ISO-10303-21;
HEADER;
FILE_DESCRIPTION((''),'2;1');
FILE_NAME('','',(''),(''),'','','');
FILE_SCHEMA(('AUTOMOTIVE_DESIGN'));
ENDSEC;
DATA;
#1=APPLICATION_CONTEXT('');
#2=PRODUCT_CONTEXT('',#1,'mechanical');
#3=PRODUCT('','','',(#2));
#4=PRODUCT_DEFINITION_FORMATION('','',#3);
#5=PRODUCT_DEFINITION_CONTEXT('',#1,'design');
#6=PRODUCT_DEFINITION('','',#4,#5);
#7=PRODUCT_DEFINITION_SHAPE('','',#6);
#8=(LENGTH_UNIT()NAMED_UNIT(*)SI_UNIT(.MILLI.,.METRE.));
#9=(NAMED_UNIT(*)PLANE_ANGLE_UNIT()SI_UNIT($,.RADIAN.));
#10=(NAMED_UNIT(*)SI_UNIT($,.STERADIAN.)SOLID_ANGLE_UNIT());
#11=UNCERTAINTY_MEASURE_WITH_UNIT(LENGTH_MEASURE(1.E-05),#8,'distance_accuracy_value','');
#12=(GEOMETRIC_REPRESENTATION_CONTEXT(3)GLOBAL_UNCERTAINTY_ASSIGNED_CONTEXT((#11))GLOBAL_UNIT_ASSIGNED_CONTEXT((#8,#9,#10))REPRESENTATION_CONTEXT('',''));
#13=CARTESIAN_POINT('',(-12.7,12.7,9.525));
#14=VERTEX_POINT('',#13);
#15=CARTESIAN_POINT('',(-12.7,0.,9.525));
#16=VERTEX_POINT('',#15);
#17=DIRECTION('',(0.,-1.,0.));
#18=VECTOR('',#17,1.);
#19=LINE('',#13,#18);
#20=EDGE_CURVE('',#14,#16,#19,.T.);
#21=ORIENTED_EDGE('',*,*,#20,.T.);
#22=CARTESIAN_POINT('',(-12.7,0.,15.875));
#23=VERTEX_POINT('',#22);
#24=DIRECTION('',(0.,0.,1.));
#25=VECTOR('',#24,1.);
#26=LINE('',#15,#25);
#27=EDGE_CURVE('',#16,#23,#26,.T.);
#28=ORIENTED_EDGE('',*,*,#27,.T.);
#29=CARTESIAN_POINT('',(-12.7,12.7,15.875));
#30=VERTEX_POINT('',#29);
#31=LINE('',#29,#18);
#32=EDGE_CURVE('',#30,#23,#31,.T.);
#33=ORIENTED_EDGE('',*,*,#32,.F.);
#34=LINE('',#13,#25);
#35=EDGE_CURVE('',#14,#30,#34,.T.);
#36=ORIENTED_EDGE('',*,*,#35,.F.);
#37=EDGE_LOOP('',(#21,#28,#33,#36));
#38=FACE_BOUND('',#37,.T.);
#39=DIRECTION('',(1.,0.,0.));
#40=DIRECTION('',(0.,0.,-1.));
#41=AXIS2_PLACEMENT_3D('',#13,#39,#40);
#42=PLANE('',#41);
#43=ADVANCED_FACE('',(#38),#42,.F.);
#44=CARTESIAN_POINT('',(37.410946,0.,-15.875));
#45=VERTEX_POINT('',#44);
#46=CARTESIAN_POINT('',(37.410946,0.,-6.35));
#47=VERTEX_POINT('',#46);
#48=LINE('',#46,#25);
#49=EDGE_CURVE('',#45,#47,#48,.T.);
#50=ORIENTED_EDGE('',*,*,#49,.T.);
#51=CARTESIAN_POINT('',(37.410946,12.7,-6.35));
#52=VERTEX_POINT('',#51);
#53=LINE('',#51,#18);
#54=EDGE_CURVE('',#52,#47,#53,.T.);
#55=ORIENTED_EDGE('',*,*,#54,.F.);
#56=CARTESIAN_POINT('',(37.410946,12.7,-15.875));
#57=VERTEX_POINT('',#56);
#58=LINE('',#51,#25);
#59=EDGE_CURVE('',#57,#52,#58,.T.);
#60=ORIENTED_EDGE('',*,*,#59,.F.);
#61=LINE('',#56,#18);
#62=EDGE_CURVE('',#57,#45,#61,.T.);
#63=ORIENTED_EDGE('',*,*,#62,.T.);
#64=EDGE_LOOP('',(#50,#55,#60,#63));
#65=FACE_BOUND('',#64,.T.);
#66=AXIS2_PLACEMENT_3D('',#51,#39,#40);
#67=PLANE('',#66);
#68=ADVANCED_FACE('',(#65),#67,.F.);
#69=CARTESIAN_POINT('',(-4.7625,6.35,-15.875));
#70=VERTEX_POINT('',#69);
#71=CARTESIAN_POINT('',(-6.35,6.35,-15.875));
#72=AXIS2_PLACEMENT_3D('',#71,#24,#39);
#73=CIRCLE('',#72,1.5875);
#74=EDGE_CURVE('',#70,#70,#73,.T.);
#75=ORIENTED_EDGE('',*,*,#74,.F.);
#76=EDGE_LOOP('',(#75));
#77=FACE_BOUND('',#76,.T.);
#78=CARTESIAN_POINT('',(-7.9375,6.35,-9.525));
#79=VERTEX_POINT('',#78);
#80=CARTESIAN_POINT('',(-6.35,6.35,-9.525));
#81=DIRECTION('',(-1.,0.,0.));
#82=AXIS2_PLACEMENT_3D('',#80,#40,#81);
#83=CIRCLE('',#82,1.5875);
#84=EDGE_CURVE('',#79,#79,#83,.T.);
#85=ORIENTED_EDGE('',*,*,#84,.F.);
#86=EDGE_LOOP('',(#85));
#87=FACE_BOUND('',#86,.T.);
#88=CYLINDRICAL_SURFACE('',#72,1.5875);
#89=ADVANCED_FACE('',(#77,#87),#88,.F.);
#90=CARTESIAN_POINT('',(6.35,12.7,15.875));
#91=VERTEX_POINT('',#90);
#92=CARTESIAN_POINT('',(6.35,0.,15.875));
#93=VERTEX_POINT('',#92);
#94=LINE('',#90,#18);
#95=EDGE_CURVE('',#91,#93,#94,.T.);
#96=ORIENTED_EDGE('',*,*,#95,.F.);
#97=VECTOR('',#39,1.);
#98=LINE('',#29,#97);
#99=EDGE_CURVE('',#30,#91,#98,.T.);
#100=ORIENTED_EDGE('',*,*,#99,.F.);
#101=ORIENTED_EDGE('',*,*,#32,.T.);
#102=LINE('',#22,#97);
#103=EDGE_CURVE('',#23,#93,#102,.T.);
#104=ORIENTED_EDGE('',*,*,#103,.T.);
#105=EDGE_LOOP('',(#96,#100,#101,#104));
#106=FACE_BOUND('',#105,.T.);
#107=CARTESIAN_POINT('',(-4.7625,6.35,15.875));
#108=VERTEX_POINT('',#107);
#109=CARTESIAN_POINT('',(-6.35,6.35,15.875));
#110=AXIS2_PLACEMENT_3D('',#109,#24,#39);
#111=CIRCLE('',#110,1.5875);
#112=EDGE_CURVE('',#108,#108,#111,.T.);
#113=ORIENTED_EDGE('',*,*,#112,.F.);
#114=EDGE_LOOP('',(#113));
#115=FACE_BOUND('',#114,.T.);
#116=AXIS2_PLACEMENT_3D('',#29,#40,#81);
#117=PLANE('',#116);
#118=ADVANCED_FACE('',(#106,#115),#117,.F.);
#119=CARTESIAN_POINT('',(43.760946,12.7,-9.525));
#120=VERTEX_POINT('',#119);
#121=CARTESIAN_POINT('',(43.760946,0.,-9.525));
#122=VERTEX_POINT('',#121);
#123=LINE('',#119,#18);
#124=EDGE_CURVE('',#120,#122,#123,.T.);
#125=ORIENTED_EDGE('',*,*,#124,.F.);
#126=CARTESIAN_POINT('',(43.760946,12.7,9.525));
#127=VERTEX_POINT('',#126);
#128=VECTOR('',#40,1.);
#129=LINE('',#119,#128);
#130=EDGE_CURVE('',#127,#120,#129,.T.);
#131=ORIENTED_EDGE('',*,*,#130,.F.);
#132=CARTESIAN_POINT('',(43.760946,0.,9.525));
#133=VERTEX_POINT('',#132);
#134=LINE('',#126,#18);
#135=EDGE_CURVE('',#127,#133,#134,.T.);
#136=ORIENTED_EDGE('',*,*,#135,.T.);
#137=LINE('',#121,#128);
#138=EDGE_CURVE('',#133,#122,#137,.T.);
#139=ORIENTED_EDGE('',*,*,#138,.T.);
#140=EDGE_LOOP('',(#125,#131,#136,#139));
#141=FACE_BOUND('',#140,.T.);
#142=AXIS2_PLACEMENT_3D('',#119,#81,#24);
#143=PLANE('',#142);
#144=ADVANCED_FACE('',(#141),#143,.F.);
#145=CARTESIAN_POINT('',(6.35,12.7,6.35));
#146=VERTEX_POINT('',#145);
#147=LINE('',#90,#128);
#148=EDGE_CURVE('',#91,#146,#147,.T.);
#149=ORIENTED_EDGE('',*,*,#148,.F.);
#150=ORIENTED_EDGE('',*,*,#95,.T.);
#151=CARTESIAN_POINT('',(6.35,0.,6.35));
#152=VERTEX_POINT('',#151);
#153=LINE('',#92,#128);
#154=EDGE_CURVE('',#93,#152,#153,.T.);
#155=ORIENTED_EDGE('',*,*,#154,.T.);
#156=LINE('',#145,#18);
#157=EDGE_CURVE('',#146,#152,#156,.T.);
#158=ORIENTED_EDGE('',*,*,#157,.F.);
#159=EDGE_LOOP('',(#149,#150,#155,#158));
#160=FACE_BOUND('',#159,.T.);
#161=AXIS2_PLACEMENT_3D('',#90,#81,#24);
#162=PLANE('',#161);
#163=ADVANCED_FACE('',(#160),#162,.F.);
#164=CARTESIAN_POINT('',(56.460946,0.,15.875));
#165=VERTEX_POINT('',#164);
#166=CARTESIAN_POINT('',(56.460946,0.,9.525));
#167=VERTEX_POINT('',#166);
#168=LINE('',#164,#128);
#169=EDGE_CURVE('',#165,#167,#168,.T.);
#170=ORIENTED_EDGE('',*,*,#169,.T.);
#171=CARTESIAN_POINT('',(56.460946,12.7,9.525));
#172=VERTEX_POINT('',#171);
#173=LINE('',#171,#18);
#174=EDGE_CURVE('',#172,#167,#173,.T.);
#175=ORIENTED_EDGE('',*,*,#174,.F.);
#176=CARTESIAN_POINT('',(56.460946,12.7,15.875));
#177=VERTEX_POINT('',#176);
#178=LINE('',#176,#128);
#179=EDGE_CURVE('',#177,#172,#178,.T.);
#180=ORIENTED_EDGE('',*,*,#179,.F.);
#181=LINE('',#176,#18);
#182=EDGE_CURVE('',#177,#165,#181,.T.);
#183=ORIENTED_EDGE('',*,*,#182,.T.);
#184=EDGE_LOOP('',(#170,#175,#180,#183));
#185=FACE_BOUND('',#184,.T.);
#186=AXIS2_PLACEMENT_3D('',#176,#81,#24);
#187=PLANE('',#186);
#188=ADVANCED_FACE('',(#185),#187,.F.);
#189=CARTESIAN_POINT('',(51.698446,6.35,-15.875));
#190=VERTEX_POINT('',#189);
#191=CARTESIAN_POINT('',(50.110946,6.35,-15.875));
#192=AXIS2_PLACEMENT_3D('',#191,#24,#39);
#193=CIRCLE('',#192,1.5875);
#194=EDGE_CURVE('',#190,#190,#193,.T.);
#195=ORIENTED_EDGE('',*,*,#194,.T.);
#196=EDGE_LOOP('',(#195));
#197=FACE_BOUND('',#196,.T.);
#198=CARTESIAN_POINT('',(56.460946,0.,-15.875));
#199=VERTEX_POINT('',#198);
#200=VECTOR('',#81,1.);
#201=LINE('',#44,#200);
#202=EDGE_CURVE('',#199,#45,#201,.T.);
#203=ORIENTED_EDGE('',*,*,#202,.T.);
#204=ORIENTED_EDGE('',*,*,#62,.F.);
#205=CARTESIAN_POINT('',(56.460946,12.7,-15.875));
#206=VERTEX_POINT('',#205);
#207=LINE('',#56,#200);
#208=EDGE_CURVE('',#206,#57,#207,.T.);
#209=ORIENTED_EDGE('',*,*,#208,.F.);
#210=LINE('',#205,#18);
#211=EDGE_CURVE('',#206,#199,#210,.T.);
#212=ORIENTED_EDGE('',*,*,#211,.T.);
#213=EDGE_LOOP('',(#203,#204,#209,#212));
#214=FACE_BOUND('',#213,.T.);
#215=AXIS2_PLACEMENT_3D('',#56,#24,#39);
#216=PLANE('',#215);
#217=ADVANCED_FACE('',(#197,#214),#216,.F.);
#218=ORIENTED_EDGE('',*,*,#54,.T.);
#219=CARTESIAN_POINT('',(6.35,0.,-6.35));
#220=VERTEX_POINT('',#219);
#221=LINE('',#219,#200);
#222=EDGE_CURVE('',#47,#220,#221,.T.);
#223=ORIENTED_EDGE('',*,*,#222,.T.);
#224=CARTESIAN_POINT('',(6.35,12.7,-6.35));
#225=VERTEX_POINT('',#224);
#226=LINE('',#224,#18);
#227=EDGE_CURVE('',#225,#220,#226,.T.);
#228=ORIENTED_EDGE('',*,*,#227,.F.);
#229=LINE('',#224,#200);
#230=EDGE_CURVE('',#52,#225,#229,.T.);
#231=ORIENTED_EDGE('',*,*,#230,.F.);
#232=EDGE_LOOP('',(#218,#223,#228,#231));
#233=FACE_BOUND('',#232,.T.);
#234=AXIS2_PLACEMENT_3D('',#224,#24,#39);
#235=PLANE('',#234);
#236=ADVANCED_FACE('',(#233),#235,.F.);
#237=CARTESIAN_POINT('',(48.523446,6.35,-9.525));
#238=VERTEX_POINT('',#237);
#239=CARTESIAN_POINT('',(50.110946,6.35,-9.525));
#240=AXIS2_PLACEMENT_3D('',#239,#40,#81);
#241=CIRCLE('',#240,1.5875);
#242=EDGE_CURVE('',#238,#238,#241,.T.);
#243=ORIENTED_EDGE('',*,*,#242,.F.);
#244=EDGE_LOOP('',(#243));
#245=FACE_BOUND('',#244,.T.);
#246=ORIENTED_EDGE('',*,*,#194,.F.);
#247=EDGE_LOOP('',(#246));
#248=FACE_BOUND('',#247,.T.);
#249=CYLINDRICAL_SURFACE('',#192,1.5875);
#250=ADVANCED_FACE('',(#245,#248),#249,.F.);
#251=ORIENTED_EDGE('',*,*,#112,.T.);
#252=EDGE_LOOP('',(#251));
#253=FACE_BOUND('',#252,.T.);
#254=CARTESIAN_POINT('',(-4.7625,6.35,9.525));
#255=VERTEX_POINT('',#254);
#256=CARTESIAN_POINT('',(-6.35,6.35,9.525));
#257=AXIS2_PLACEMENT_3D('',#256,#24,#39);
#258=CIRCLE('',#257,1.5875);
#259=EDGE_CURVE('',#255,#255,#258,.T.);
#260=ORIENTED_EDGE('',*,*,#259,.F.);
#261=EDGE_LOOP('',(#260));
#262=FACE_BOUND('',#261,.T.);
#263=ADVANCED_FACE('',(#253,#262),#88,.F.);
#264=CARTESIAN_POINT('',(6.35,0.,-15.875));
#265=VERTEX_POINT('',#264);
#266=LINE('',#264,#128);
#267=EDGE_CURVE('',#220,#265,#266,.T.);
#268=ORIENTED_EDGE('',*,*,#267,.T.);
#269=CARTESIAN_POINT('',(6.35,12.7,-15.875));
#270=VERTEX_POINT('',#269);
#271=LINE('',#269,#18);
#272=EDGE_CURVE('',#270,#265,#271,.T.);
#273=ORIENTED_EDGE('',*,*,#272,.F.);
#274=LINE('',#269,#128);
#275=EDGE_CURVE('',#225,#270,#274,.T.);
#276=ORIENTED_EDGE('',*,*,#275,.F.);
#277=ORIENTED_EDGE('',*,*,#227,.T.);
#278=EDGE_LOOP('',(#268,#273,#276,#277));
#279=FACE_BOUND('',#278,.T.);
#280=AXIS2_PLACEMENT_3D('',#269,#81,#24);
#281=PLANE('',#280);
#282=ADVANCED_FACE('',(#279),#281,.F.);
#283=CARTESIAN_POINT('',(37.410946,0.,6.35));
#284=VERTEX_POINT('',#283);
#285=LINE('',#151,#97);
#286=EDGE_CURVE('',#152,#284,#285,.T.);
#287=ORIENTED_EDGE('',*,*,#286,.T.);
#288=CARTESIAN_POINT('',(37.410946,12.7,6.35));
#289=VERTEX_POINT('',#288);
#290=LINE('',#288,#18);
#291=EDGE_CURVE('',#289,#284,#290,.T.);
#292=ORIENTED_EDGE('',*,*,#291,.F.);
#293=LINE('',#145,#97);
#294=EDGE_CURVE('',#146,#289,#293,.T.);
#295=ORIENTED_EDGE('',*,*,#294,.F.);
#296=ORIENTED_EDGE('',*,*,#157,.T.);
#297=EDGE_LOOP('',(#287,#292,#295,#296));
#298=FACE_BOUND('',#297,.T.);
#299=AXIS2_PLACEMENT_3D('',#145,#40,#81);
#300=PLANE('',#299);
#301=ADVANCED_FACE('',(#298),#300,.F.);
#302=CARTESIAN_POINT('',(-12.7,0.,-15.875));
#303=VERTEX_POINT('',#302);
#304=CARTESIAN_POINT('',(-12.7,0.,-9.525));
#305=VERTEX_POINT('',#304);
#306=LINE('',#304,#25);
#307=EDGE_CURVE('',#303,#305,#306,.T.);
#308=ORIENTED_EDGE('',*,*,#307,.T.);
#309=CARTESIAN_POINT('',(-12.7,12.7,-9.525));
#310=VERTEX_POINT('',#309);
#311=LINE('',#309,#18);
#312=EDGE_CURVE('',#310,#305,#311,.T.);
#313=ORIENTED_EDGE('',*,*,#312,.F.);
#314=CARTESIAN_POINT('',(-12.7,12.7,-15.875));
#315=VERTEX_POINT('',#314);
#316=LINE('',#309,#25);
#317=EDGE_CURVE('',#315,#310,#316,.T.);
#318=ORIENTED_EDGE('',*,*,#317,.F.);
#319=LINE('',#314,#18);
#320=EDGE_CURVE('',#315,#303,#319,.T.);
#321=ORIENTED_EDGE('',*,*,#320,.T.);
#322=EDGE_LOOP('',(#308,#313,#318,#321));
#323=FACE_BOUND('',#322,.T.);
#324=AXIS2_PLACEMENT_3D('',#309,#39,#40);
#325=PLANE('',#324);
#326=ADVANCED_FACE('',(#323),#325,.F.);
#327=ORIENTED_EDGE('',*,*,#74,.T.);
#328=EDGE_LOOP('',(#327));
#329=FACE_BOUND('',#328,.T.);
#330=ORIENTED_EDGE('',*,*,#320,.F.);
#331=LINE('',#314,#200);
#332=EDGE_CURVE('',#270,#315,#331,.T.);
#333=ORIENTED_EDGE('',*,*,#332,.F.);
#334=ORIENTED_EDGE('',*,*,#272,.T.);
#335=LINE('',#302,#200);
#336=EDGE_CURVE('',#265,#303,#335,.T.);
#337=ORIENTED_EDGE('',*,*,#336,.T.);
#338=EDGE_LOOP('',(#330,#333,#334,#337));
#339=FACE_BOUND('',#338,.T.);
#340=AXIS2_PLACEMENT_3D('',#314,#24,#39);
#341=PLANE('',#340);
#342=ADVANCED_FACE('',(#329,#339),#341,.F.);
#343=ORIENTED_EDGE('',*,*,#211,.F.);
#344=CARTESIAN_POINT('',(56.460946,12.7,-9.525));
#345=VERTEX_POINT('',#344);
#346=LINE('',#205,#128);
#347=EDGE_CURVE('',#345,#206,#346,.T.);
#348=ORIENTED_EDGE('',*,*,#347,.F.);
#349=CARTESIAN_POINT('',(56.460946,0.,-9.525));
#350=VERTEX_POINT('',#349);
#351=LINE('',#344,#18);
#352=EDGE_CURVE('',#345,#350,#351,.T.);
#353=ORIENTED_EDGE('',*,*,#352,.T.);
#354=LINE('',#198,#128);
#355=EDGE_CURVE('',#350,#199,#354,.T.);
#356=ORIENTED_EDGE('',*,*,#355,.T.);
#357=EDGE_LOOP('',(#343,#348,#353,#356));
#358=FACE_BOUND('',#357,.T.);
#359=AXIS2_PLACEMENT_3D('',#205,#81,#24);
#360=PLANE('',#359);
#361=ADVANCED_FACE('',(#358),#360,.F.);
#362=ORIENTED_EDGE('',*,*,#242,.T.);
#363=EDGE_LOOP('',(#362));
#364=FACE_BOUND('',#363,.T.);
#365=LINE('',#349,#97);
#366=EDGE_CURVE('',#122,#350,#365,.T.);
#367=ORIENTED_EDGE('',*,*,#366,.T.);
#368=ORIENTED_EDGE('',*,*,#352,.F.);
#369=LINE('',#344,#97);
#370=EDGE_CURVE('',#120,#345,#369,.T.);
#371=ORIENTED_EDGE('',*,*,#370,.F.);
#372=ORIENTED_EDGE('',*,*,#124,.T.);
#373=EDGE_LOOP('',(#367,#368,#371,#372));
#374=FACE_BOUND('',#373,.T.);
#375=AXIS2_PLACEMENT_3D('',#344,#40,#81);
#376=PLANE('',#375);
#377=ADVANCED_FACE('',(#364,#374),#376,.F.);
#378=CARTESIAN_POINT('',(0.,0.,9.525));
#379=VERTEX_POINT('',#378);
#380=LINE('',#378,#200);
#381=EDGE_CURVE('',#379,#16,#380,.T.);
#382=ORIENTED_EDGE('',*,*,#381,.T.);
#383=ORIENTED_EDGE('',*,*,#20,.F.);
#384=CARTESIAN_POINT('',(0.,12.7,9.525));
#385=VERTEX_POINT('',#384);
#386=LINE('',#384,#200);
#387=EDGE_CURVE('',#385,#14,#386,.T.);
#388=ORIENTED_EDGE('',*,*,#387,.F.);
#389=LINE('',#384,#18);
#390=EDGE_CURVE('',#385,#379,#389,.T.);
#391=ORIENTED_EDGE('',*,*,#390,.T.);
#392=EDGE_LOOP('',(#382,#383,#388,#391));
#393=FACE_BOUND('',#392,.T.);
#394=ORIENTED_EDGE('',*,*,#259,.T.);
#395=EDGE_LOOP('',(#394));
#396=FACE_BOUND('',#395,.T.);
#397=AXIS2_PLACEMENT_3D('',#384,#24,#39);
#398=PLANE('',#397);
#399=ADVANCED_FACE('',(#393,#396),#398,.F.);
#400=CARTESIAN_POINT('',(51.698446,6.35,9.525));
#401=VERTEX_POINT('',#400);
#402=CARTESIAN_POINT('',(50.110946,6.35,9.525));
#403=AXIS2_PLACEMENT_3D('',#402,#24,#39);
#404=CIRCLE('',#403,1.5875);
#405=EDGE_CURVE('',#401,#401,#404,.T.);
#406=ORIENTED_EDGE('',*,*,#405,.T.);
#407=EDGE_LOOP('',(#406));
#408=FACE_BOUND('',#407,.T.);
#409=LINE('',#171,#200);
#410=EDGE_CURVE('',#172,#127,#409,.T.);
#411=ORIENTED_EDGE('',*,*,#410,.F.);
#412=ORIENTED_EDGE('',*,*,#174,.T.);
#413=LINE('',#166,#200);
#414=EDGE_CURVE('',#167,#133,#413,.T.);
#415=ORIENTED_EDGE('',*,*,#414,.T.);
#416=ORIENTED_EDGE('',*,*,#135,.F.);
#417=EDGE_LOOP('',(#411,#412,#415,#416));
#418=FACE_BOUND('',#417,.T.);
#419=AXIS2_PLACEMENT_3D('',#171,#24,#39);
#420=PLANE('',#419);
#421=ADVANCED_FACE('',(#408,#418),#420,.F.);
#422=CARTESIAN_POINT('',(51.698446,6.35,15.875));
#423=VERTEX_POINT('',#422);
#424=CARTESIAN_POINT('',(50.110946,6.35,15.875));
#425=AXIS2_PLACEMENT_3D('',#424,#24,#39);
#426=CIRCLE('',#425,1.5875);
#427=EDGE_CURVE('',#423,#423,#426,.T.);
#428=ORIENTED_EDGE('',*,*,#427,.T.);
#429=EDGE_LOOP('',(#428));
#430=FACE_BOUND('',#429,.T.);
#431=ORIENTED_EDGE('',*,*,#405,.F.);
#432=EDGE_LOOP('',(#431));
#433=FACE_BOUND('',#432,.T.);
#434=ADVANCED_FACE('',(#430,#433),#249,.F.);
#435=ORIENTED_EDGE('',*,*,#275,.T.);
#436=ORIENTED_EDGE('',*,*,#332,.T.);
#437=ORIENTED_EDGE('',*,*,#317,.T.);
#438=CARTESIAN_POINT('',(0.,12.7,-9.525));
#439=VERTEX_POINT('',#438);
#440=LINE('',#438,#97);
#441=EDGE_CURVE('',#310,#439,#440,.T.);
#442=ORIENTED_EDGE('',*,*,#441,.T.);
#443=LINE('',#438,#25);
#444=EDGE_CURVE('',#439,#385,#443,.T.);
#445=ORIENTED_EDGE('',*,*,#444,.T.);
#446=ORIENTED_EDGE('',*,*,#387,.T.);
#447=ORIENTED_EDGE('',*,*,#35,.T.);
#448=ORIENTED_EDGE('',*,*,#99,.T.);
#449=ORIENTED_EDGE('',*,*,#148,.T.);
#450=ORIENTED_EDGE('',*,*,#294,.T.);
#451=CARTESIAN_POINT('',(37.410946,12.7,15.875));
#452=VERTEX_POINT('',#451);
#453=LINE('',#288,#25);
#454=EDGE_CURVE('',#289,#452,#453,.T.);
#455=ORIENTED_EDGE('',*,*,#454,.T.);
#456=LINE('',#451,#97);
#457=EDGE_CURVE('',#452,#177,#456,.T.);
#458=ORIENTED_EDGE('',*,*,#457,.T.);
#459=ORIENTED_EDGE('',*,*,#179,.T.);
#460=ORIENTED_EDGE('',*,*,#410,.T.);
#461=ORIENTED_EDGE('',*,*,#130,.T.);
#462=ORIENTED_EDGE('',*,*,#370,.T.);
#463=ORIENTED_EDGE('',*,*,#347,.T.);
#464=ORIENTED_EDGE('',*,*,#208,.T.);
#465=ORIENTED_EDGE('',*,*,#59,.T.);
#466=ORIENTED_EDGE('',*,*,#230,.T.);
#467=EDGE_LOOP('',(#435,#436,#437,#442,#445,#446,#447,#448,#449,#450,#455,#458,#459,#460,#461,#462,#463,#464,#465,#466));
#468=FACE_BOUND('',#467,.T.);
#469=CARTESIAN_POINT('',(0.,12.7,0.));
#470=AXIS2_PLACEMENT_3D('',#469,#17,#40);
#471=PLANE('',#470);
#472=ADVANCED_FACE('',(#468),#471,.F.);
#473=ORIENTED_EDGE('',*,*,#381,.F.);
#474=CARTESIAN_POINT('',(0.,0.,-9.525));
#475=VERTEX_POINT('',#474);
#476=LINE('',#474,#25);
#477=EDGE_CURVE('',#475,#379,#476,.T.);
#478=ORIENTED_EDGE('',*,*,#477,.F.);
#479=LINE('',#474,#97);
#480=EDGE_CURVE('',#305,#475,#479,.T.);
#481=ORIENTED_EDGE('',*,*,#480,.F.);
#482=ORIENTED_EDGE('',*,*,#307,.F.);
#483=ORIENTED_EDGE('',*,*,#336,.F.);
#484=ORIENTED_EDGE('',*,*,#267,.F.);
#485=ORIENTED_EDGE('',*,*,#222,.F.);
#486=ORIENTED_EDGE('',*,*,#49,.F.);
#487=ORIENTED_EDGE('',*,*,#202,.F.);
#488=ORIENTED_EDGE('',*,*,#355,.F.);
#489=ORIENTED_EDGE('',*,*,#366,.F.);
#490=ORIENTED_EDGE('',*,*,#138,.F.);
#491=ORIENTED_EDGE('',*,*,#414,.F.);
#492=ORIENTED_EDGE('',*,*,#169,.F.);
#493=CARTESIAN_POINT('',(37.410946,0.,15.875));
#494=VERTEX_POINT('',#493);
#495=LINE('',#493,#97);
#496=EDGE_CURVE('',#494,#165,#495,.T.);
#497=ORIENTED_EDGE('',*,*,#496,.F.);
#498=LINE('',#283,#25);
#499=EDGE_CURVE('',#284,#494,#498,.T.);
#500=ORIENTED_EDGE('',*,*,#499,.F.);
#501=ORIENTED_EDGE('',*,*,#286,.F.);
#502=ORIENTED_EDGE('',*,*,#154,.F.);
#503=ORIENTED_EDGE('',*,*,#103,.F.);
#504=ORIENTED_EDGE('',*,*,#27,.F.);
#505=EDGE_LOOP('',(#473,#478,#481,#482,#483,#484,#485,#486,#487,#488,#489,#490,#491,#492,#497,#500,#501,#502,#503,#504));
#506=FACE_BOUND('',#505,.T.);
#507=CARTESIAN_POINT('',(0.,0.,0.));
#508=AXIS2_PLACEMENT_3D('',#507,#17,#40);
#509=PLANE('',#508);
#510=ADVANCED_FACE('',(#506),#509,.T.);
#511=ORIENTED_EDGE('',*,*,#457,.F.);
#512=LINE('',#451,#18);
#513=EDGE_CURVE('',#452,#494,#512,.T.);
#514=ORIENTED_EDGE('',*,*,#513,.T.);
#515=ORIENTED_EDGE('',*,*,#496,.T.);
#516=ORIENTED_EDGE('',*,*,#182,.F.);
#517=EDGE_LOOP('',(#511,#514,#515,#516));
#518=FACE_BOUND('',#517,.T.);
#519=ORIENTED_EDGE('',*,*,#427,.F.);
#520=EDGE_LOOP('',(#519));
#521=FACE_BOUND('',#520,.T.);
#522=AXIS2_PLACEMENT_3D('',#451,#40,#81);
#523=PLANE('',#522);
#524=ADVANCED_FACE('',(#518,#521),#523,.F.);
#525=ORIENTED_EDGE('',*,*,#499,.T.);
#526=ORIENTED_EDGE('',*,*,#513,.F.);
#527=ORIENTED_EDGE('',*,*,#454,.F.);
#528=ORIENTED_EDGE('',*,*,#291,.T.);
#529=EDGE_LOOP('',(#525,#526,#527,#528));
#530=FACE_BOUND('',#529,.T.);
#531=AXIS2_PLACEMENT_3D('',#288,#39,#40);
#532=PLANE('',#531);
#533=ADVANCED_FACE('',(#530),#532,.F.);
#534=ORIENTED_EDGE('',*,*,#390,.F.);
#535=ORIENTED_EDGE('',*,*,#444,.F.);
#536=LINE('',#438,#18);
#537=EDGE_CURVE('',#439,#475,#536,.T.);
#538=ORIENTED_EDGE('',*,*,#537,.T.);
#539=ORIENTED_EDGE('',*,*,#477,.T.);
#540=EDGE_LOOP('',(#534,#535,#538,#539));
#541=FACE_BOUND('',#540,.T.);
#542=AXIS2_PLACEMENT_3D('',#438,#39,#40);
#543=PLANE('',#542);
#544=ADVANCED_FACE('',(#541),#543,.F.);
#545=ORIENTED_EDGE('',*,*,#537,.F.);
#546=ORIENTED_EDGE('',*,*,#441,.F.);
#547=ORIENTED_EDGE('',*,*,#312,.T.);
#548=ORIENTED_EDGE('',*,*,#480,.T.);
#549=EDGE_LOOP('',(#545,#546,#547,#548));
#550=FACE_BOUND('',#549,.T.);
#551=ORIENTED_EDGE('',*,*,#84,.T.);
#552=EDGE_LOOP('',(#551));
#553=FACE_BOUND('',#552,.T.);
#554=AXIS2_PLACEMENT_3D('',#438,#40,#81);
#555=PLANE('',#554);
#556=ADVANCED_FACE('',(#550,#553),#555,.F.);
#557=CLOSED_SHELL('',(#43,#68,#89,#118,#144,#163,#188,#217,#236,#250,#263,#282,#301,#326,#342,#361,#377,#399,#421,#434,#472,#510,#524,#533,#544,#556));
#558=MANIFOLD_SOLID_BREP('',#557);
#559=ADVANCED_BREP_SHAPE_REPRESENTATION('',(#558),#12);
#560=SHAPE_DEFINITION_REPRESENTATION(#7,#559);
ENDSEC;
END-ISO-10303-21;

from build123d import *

# Parameters (mm, degrees)
BOSS_EXTRUDE1_DEPTH = 12.7
SKETCH2_R           = 1.5875
CUT_EXTRUDE1_DEPTH  = 32.75


with BuildPart() as part:
    # Sketch1 → Boss-Extrude1 (new body)
    with BuildSketch(Plane(origin=(0, 0, 0), x_dir=(1, 0, 0), z_dir=(0, 1, 0))):
        Polygon((0, 9.525), (-12.7, 9.525), (-12.7, 15.875), (6.35, 15.875), (6.35, 6.35), (37.410945752, 6.35), (37.410945752, 15.875), (56.460945752, 15.875), (56.460945752, 9.525), (43.760945752, 9.525), (43.760945752, -9.525), (56.460945752, -9.525), (56.460945752, -15.875), (37.410945752, -15.875), (37.410945752, -6.35), (6.35, -6.35), (6.35, -15.875), (-12.7, -15.875), (-12.7, -9.525), (0, -9.525), align=None)
    extrude(amount=BOSS_EXTRUDE1_DEPTH)

    # Sketch2 → Cut-Extrude1 (cut, through all)
    with BuildSketch(Plane.XY.offset(15.875)):
        with Locations((50.110945752, 6.35)):
            Circle(SKETCH2_R)
        with Locations((-6.35, 6.35)):
            Circle(SKETCH2_R)
    extrude(amount=-CUT_EXTRUDE1_DEPTH, mode=Mode.SUBTRACT)


solid = part.part
